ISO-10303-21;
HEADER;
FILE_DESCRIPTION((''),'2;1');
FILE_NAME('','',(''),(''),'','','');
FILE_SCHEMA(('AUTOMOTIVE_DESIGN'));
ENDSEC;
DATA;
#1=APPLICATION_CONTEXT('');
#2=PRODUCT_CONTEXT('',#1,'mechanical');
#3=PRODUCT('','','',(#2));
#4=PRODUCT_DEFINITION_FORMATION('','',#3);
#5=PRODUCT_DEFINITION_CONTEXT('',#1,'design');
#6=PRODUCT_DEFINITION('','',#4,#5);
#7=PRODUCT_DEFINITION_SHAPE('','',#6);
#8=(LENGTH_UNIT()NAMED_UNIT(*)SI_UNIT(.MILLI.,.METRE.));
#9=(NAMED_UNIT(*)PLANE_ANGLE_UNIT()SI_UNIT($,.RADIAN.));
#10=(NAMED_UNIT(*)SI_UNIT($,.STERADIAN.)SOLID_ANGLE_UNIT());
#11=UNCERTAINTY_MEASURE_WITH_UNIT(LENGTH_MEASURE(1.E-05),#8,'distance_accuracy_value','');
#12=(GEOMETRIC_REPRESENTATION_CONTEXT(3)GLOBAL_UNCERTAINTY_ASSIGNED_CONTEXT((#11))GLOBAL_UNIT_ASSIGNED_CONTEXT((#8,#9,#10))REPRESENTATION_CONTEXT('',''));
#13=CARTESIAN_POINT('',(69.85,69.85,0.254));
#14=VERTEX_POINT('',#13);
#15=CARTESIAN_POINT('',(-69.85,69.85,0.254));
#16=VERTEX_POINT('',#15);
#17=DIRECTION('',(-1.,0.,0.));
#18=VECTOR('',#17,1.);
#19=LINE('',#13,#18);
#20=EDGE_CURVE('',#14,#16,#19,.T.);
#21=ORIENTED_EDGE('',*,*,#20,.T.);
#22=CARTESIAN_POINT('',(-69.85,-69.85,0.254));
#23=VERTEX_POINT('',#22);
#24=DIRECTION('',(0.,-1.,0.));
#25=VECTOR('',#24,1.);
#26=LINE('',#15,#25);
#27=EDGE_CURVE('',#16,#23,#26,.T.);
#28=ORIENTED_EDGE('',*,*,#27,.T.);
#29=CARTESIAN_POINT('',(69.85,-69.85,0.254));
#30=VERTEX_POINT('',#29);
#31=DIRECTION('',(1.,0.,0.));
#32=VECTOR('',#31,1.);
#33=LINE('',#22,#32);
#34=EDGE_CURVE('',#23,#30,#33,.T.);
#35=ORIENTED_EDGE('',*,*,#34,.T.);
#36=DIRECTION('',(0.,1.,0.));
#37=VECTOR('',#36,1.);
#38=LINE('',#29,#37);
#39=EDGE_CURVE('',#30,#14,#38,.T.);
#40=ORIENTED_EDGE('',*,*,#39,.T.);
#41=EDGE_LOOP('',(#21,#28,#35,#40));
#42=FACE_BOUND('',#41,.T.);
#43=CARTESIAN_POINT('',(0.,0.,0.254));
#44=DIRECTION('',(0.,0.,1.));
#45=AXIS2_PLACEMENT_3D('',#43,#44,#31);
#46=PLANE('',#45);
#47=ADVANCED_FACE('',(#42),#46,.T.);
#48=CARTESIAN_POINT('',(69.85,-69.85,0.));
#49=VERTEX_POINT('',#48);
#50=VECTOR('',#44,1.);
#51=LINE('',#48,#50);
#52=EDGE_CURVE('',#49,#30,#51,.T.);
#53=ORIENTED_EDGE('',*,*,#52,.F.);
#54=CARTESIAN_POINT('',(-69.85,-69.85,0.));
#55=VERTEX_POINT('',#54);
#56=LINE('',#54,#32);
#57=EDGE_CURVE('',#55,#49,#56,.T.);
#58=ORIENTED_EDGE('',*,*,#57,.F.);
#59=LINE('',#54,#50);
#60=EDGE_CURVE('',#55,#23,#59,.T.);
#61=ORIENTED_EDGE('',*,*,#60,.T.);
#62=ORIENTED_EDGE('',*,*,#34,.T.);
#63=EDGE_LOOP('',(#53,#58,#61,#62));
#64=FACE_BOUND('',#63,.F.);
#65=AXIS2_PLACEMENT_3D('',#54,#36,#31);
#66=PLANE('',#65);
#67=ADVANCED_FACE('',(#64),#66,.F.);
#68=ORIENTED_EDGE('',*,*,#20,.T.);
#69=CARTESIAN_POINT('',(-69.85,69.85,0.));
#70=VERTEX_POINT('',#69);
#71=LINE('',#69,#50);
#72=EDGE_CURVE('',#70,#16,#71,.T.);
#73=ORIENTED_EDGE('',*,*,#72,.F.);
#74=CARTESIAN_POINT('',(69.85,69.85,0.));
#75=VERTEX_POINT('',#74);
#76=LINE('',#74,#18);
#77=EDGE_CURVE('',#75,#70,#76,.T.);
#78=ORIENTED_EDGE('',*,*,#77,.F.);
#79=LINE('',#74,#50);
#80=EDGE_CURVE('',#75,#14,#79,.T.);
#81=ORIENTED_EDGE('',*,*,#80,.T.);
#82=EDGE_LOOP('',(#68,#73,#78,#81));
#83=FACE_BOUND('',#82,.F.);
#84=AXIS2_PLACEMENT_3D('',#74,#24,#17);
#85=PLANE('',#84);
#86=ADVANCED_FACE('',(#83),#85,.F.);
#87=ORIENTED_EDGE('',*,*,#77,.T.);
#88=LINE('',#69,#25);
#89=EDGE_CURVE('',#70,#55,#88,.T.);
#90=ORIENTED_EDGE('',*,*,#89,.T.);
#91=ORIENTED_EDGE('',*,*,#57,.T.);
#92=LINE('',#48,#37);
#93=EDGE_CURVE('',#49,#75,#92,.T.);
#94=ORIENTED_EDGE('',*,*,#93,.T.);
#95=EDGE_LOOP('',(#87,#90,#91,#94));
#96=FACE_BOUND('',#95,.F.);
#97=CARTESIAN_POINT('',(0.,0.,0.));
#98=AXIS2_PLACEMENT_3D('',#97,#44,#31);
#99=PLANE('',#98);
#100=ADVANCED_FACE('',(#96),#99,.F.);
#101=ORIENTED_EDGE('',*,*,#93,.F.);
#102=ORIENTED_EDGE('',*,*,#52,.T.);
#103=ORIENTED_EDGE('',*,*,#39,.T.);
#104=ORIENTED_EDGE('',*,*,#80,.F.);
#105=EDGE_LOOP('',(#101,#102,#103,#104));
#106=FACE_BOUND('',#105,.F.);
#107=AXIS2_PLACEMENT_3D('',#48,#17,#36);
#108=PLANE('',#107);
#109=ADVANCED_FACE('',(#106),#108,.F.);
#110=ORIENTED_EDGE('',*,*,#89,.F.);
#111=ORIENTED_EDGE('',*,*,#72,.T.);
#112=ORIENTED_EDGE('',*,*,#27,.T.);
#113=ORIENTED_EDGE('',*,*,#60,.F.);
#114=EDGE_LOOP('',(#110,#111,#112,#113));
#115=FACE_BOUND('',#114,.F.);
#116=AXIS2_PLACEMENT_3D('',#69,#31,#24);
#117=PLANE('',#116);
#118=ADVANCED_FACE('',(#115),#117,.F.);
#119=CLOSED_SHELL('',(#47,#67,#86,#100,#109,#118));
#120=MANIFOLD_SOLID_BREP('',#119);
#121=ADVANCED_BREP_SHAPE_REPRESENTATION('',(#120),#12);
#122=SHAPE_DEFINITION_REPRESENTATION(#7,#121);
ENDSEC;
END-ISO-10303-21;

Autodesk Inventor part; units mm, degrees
ref_plane "YZ Plane" through (0, 0, 0) normal (1, 0, 0) x (0, 1, 0)
ref_plane "XZ Plane" through (0, 0, 0) normal (0, 1, 0) x (-1, 0, 0)
ref_plane "XY Plane" through (0, 0, 0) normal (0, 0, 1) x (1, 0, 0)
sketch "Sketch1" plane through (0, 0, 0) normal (0, 0, 1) x (1, 0, 0)
  line L0 (-69.85, -69.85) -> (69.85, -69.85)
  line L1 (69.85, -69.85) -> (69.85, 69.85)
  line L2 (69.85, 69.85) -> (-69.85, 69.85)
  line L3 (-69.85, 69.85) -> (-69.85, -69.85)
  point P0 (0, 0)
  point P1 (69.85, 0)
  point P2 (0, 69.85)
  dimension "d0" = 139.7
  dimension "d1" = 139.7
extrude "Extrusion1" add sketch "Sketch1" along normal blind 0.254
properties part number "COMMON"
